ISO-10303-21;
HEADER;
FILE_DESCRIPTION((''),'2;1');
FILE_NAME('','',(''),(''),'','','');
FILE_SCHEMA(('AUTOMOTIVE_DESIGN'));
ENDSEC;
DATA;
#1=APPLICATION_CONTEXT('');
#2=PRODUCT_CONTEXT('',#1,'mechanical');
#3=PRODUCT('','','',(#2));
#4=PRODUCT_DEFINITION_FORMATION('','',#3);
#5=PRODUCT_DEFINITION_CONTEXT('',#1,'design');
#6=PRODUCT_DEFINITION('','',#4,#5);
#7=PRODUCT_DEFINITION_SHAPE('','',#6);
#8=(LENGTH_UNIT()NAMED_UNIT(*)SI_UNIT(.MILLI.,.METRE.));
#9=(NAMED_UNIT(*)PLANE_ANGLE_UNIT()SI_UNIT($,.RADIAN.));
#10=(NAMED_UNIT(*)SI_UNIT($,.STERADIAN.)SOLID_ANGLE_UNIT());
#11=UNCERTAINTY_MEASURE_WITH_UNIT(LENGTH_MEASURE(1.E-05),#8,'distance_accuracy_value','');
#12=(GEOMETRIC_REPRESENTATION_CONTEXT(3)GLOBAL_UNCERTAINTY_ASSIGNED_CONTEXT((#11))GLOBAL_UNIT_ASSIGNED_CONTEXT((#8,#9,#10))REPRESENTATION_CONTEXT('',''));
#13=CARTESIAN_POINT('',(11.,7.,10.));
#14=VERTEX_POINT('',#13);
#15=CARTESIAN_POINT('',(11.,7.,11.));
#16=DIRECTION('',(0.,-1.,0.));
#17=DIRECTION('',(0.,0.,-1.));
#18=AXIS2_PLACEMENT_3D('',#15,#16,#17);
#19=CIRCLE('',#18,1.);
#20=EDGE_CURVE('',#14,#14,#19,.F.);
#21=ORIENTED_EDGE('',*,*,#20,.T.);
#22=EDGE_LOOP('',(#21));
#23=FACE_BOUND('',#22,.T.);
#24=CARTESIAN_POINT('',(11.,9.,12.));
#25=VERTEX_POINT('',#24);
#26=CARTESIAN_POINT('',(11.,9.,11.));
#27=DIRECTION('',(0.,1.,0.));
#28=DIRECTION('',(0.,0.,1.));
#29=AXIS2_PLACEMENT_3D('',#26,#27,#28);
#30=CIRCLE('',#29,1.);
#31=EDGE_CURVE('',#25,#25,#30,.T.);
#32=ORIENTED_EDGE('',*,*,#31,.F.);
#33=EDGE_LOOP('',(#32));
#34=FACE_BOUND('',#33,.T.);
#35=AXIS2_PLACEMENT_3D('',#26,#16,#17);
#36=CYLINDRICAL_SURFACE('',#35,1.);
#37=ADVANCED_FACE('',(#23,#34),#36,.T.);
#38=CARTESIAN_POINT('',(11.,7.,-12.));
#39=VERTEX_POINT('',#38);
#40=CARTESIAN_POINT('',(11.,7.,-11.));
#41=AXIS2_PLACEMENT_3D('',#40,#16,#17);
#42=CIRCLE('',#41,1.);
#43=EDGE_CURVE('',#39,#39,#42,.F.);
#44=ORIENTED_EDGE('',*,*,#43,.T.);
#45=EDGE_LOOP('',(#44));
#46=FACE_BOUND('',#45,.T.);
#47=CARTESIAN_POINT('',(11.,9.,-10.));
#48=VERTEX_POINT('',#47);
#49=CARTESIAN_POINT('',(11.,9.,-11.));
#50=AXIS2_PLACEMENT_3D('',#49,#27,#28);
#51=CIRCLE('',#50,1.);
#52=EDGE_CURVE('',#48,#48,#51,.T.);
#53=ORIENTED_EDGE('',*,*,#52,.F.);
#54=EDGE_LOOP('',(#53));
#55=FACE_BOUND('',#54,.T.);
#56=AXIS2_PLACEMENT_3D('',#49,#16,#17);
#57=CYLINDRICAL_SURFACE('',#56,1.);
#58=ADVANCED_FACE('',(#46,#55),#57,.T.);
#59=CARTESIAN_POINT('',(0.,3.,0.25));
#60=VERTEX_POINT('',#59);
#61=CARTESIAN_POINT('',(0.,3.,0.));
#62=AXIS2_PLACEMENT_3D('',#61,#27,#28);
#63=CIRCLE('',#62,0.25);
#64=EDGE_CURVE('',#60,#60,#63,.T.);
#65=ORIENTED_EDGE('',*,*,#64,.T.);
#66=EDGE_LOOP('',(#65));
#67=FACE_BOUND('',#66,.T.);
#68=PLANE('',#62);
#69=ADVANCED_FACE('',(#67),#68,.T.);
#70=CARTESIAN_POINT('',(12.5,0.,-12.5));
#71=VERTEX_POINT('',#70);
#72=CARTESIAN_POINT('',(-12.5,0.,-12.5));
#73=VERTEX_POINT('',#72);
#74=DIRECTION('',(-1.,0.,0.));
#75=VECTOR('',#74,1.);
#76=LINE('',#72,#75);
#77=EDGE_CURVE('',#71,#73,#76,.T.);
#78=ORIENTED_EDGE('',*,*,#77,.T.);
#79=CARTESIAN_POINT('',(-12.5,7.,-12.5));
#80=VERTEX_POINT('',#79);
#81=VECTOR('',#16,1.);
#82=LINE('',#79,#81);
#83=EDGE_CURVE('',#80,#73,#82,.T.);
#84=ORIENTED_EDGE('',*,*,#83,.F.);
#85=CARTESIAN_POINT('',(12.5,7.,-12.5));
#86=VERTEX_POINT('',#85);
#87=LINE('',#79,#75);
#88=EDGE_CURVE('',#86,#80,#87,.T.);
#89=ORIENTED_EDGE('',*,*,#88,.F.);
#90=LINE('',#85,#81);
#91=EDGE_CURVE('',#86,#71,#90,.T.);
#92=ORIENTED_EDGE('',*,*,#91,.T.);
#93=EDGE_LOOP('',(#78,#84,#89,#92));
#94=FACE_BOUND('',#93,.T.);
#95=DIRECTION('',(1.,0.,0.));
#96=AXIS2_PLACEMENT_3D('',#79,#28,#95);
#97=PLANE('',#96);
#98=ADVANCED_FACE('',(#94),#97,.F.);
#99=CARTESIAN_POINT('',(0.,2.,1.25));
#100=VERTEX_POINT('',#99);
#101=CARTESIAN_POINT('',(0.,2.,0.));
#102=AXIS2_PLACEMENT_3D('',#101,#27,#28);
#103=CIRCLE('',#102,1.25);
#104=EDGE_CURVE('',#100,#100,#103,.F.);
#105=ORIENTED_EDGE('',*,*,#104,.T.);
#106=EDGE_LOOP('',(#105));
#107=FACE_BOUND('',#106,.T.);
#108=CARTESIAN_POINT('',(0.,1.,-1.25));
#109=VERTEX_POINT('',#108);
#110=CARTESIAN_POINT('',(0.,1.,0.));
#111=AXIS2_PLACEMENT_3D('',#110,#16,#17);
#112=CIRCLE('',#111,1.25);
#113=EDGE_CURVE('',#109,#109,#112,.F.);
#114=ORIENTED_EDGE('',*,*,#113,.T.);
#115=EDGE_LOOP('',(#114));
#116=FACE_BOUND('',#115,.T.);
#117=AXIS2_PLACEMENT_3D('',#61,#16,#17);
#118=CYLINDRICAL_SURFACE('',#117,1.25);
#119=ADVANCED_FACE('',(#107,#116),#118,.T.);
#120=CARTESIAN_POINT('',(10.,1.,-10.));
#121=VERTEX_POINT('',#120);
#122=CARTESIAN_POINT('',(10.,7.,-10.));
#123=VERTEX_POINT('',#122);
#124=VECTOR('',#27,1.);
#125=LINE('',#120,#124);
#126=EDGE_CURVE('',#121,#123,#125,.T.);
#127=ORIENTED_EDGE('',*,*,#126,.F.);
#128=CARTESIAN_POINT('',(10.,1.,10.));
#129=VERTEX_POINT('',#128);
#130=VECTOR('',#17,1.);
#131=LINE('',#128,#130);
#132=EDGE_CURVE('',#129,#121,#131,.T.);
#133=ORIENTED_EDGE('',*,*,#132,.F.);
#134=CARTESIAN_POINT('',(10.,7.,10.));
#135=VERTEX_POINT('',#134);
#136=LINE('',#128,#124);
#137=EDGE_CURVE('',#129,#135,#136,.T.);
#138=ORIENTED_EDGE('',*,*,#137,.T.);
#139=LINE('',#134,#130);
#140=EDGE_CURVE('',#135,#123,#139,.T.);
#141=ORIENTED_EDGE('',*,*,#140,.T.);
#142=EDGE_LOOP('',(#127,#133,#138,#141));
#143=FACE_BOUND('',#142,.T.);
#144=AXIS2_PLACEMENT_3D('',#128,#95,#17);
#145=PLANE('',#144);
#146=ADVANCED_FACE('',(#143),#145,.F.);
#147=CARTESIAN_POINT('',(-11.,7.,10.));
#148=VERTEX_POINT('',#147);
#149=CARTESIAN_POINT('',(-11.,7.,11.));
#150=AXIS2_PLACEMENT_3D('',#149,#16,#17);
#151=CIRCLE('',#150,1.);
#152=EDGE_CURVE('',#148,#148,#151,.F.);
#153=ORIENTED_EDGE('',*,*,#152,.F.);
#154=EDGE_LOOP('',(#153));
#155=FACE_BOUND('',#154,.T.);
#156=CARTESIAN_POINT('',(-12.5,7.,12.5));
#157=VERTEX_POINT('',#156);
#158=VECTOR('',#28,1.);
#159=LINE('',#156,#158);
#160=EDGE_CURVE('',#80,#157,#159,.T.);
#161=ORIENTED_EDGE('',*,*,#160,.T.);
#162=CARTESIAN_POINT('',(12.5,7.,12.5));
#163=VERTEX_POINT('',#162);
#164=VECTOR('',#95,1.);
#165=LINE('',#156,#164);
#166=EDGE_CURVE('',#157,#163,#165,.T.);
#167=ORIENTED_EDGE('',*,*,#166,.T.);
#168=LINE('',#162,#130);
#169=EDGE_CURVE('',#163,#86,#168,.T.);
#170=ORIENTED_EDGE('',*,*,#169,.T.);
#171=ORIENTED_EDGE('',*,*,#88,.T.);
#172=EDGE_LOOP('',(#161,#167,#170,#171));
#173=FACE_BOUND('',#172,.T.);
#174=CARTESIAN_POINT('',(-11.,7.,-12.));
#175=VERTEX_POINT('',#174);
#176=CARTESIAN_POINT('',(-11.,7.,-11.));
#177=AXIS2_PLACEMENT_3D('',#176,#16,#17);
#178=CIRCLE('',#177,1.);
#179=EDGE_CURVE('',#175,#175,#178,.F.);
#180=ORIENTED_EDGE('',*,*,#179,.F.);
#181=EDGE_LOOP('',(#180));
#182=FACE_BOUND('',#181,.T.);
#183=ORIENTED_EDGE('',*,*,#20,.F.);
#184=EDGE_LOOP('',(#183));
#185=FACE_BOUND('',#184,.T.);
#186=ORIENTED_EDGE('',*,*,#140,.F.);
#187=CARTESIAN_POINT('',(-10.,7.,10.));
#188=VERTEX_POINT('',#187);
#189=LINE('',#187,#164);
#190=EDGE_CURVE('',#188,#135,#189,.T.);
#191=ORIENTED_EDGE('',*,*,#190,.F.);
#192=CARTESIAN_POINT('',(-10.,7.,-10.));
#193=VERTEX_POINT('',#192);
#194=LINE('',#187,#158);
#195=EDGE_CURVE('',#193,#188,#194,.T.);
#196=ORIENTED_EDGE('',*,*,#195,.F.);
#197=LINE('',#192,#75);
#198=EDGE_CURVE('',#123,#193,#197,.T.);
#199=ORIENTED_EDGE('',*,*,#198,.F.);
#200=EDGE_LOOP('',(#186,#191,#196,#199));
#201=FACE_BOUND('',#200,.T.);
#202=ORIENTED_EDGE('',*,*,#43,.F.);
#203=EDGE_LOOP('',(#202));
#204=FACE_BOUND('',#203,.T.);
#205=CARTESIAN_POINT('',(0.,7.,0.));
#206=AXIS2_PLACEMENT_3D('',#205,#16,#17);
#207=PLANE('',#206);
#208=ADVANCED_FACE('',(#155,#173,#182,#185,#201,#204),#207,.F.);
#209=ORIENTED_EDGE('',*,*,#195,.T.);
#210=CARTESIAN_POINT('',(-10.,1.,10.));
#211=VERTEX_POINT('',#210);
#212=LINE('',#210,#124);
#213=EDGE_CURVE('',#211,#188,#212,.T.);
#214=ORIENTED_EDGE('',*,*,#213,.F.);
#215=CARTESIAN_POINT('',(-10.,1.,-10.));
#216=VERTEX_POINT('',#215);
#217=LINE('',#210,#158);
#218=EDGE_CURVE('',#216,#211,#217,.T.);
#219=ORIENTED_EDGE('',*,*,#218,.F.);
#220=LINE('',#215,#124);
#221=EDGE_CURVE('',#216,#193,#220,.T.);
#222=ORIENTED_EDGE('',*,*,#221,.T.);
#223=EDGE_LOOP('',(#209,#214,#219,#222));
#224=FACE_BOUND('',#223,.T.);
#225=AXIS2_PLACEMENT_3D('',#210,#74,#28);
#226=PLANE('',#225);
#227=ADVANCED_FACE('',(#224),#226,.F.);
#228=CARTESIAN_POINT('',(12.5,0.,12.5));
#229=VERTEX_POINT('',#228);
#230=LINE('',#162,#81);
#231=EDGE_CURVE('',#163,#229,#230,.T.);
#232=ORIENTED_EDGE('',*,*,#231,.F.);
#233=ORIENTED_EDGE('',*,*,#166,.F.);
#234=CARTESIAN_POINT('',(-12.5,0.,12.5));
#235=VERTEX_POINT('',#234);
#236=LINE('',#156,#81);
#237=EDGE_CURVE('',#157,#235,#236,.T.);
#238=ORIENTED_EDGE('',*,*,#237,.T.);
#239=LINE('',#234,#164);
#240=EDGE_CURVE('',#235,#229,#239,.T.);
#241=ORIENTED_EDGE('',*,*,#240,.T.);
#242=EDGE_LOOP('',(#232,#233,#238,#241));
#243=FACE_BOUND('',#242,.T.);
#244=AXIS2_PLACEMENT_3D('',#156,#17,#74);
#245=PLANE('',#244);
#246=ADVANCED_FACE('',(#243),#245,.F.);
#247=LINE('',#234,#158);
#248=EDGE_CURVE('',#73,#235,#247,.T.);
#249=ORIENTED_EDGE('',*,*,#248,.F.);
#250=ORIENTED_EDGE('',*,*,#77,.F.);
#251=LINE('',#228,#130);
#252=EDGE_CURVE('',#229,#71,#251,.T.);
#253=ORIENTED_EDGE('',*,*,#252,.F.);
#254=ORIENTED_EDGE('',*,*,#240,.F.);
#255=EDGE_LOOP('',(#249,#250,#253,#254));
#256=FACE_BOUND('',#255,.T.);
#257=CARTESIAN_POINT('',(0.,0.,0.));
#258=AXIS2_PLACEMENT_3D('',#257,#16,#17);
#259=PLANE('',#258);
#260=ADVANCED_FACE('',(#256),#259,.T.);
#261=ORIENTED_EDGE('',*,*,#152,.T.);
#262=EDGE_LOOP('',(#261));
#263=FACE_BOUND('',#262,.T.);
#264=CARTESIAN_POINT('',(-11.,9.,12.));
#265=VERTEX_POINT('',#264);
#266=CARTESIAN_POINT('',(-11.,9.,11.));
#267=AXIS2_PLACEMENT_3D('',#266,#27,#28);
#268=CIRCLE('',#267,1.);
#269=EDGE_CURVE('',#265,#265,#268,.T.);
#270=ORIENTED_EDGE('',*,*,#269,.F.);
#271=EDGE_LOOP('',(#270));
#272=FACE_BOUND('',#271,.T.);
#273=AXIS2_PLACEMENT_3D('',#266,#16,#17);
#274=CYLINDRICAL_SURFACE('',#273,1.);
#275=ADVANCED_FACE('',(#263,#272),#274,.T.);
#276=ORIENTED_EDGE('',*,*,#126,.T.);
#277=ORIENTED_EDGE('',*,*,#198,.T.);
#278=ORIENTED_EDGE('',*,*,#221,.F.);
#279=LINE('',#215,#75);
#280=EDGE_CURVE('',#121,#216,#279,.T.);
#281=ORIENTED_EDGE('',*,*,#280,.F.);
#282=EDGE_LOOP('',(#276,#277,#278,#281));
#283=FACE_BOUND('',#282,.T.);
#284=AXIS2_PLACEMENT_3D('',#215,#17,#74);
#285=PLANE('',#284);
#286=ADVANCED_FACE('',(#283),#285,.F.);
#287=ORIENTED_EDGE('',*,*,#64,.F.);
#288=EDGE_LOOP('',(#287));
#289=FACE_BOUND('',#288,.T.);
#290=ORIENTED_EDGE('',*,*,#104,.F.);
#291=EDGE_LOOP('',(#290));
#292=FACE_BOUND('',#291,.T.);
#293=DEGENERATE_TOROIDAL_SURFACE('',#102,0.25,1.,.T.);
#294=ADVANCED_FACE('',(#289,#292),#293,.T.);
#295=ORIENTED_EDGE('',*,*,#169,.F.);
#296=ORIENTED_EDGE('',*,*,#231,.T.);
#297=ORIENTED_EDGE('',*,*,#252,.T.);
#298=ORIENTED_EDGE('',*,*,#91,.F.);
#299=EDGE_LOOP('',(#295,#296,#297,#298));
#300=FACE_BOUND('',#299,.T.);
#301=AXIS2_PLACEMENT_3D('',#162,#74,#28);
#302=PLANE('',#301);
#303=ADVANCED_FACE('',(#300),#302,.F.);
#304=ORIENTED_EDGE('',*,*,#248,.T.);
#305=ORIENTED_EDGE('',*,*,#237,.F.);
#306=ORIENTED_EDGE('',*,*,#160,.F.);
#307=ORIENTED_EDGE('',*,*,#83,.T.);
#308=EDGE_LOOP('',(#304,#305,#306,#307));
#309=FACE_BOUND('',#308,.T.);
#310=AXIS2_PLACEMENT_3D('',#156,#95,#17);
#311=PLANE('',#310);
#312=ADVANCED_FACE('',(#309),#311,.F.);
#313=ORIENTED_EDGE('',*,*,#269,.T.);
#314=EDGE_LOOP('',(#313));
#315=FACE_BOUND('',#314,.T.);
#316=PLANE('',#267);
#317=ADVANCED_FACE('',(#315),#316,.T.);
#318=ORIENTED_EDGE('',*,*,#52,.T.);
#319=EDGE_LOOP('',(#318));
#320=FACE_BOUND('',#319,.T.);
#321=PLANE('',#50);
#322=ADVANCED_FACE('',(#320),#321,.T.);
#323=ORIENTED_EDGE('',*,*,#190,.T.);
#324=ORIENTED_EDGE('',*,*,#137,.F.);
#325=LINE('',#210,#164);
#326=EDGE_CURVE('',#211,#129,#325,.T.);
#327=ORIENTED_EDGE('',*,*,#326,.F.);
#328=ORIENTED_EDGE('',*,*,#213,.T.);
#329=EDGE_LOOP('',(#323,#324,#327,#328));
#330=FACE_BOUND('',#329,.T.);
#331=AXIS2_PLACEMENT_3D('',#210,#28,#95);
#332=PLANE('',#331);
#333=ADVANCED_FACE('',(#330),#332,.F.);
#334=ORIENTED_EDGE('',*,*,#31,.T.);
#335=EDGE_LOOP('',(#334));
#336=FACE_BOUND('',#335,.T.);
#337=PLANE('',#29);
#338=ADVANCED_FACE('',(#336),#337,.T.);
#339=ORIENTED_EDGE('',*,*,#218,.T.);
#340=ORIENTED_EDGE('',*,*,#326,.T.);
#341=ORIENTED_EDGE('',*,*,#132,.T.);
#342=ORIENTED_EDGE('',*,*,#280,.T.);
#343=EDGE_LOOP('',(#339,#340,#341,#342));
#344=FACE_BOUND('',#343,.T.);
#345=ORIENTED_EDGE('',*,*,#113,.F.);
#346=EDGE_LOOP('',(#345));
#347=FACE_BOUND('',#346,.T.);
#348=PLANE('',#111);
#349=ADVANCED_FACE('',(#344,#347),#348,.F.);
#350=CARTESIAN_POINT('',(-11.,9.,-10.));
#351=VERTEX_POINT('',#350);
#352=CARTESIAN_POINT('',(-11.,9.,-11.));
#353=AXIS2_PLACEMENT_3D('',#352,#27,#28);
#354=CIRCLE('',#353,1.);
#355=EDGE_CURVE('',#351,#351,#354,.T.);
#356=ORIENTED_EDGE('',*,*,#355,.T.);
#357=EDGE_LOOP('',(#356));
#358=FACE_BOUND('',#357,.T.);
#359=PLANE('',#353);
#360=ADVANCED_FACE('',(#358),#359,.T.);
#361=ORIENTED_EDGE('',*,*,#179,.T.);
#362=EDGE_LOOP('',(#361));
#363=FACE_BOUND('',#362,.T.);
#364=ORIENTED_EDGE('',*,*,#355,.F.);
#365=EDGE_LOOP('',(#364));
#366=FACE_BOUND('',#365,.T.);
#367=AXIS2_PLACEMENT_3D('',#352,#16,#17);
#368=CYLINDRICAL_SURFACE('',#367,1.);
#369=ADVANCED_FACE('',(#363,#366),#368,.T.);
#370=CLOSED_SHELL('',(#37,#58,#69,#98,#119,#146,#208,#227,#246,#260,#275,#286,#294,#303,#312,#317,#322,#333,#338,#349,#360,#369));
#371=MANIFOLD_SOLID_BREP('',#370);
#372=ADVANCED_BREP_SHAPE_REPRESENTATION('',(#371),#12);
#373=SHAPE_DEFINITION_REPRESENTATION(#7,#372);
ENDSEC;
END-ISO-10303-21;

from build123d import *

# Parameters (mm, degrees)
SKETCH1_W           = 25
SKETCH1_H           = 25
BOSS_EXTRUDE1_DEPTH = 7
SKETCH2_W           = 20
SKETCH2_H           = 20
CUT_EXTRUDE1_DEPTH  = 6
SKETCH3_R           = 1.25
BOSS_EXTRUDE2_DEPTH = 2
FILLET1_R           = 1
SKETCH4_R           = 1
BOSS_EXTRUDE3_DEPTH = 2


with BuildPart() as part:
    # Sketch1 → Boss-Extrude1 (new body)
    with BuildSketch(Plane(origin=(0, 0, 0), x_dir=(1, 0, 0), z_dir=(0, 1, 0))):
        Rectangle(SKETCH1_W, SKETCH1_H)
    extrude(amount=BOSS_EXTRUDE1_DEPTH)

    # Sketch2 → Cut-Extrude1 (cut)
    with BuildSketch(Plane(origin=(0, 7, 0), x_dir=(1, 0, 0), z_dir=(0, 1, 0))):
        Rectangle(SKETCH2_W, SKETCH2_H)
    extrude(amount=-CUT_EXTRUDE1_DEPTH, mode=Mode.SUBTRACT)

    # Sketch3 → Boss-Extrude2 (add)
    with BuildSketch(Plane(origin=(0, 1, 0), x_dir=(1, 0, 0), z_dir=(0, 1, 0))):
        Circle(SKETCH3_R)
    extrude(amount=BOSS_EXTRUDE2_DEPTH)

    # Fillet1
    fillet1_edges = [part.edges().sort_by_distance(p)[0] for p in [
        (-1.25, 3, 0),
    ]]
    fillet(fillet1_edges, radius=FILLET1_R)

    # Sketch4 → Boss-Extrude3 (add)
    with BuildSketch(Plane(origin=(0, 7, 0), x_dir=(1, 0, 0), z_dir=(0, 1, 0))):
        with Locations((-11, 11)):
            Circle(SKETCH4_R)
        with Locations((11, 11)):
            Circle(SKETCH4_R)
        with Locations((11, -11)):
            Circle(SKETCH4_R)
        with Locations((-11, -11)):
            Circle(SKETCH4_R)
    extrude(amount=BOSS_EXTRUDE3_DEPTH)


solid = part.part
